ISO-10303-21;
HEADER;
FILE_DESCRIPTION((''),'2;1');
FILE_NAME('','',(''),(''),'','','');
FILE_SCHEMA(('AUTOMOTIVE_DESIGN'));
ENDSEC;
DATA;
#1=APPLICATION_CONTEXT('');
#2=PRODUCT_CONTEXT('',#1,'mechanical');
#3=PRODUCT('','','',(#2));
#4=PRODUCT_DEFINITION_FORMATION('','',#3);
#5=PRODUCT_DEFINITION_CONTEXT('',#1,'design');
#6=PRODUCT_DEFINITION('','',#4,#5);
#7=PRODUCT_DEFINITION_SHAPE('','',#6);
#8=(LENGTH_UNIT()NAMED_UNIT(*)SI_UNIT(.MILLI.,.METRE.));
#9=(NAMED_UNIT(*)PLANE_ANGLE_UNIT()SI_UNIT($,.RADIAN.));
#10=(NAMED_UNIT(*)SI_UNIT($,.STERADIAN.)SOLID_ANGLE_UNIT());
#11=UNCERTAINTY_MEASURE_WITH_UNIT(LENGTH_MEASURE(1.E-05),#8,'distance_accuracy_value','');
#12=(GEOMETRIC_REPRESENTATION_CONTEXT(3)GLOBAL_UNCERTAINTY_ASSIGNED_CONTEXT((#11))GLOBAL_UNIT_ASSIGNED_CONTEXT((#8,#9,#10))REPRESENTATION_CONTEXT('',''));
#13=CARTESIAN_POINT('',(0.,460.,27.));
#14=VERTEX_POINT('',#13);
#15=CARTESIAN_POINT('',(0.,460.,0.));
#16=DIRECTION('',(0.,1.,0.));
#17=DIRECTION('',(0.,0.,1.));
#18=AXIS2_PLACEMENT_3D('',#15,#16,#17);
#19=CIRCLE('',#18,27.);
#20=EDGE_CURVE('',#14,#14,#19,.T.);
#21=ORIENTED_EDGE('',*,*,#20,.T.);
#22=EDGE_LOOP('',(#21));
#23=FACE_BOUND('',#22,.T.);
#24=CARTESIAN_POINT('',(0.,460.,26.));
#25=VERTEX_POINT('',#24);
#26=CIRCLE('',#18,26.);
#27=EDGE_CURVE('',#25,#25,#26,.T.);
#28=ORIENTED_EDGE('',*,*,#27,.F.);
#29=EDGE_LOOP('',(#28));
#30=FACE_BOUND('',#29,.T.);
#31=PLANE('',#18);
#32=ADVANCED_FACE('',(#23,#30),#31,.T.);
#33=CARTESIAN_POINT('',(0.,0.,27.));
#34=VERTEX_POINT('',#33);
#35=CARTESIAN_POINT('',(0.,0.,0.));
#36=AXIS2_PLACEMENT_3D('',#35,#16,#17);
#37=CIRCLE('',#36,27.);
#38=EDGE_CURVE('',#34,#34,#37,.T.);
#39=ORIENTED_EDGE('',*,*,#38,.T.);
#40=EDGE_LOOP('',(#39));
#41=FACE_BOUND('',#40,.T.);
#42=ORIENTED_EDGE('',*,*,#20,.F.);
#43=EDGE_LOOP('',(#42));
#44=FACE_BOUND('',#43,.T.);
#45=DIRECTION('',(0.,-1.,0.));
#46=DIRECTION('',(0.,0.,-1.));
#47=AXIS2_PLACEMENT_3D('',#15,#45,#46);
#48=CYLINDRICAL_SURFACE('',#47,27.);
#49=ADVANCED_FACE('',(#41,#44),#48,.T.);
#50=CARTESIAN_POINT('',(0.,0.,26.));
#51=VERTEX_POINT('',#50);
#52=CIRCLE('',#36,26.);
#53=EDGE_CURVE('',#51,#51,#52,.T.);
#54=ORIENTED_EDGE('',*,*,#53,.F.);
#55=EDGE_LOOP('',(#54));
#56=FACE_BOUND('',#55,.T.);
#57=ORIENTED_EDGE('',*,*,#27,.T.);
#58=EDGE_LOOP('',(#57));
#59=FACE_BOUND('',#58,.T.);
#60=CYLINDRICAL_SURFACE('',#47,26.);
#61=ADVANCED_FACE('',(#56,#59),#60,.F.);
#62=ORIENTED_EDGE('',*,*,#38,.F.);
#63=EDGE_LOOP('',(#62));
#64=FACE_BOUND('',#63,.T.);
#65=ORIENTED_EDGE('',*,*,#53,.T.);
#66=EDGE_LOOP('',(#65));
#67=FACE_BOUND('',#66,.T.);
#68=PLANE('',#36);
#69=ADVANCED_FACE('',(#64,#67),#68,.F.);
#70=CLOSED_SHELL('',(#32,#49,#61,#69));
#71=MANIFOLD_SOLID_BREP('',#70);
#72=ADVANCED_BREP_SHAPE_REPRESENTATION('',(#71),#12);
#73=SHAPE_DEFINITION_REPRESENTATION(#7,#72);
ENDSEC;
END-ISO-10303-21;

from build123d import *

# Parameters (mm, degrees)
SKETCH1_R           = 27
BOSS_EXTRUDE1_DEPTH = 460
SHELL1_T            = -1


with BuildPart() as part:
    # Sketch1 → Boss-Extrude1 (new body)
    with BuildSketch(Plane(origin=(0, 0, 0), x_dir=(1, 0, 0), z_dir=(0, 1, 0))):
        with Locations(Location((0, 0, 0), (0, 0, 270))):
            Circle(SKETCH1_R)
    extrude(amount=BOSS_EXTRUDE1_DEPTH)

    # Shell1
    shell1_openings = [part.faces().sort_by_distance(p)[0] for p in [
        (0, 460, 0),
        (0, 0, 0),
    ]]
    offset(amount=SHELL1_T, openings=shell1_openings, kind=Kind.INTERSECTION)


solid = part.part
